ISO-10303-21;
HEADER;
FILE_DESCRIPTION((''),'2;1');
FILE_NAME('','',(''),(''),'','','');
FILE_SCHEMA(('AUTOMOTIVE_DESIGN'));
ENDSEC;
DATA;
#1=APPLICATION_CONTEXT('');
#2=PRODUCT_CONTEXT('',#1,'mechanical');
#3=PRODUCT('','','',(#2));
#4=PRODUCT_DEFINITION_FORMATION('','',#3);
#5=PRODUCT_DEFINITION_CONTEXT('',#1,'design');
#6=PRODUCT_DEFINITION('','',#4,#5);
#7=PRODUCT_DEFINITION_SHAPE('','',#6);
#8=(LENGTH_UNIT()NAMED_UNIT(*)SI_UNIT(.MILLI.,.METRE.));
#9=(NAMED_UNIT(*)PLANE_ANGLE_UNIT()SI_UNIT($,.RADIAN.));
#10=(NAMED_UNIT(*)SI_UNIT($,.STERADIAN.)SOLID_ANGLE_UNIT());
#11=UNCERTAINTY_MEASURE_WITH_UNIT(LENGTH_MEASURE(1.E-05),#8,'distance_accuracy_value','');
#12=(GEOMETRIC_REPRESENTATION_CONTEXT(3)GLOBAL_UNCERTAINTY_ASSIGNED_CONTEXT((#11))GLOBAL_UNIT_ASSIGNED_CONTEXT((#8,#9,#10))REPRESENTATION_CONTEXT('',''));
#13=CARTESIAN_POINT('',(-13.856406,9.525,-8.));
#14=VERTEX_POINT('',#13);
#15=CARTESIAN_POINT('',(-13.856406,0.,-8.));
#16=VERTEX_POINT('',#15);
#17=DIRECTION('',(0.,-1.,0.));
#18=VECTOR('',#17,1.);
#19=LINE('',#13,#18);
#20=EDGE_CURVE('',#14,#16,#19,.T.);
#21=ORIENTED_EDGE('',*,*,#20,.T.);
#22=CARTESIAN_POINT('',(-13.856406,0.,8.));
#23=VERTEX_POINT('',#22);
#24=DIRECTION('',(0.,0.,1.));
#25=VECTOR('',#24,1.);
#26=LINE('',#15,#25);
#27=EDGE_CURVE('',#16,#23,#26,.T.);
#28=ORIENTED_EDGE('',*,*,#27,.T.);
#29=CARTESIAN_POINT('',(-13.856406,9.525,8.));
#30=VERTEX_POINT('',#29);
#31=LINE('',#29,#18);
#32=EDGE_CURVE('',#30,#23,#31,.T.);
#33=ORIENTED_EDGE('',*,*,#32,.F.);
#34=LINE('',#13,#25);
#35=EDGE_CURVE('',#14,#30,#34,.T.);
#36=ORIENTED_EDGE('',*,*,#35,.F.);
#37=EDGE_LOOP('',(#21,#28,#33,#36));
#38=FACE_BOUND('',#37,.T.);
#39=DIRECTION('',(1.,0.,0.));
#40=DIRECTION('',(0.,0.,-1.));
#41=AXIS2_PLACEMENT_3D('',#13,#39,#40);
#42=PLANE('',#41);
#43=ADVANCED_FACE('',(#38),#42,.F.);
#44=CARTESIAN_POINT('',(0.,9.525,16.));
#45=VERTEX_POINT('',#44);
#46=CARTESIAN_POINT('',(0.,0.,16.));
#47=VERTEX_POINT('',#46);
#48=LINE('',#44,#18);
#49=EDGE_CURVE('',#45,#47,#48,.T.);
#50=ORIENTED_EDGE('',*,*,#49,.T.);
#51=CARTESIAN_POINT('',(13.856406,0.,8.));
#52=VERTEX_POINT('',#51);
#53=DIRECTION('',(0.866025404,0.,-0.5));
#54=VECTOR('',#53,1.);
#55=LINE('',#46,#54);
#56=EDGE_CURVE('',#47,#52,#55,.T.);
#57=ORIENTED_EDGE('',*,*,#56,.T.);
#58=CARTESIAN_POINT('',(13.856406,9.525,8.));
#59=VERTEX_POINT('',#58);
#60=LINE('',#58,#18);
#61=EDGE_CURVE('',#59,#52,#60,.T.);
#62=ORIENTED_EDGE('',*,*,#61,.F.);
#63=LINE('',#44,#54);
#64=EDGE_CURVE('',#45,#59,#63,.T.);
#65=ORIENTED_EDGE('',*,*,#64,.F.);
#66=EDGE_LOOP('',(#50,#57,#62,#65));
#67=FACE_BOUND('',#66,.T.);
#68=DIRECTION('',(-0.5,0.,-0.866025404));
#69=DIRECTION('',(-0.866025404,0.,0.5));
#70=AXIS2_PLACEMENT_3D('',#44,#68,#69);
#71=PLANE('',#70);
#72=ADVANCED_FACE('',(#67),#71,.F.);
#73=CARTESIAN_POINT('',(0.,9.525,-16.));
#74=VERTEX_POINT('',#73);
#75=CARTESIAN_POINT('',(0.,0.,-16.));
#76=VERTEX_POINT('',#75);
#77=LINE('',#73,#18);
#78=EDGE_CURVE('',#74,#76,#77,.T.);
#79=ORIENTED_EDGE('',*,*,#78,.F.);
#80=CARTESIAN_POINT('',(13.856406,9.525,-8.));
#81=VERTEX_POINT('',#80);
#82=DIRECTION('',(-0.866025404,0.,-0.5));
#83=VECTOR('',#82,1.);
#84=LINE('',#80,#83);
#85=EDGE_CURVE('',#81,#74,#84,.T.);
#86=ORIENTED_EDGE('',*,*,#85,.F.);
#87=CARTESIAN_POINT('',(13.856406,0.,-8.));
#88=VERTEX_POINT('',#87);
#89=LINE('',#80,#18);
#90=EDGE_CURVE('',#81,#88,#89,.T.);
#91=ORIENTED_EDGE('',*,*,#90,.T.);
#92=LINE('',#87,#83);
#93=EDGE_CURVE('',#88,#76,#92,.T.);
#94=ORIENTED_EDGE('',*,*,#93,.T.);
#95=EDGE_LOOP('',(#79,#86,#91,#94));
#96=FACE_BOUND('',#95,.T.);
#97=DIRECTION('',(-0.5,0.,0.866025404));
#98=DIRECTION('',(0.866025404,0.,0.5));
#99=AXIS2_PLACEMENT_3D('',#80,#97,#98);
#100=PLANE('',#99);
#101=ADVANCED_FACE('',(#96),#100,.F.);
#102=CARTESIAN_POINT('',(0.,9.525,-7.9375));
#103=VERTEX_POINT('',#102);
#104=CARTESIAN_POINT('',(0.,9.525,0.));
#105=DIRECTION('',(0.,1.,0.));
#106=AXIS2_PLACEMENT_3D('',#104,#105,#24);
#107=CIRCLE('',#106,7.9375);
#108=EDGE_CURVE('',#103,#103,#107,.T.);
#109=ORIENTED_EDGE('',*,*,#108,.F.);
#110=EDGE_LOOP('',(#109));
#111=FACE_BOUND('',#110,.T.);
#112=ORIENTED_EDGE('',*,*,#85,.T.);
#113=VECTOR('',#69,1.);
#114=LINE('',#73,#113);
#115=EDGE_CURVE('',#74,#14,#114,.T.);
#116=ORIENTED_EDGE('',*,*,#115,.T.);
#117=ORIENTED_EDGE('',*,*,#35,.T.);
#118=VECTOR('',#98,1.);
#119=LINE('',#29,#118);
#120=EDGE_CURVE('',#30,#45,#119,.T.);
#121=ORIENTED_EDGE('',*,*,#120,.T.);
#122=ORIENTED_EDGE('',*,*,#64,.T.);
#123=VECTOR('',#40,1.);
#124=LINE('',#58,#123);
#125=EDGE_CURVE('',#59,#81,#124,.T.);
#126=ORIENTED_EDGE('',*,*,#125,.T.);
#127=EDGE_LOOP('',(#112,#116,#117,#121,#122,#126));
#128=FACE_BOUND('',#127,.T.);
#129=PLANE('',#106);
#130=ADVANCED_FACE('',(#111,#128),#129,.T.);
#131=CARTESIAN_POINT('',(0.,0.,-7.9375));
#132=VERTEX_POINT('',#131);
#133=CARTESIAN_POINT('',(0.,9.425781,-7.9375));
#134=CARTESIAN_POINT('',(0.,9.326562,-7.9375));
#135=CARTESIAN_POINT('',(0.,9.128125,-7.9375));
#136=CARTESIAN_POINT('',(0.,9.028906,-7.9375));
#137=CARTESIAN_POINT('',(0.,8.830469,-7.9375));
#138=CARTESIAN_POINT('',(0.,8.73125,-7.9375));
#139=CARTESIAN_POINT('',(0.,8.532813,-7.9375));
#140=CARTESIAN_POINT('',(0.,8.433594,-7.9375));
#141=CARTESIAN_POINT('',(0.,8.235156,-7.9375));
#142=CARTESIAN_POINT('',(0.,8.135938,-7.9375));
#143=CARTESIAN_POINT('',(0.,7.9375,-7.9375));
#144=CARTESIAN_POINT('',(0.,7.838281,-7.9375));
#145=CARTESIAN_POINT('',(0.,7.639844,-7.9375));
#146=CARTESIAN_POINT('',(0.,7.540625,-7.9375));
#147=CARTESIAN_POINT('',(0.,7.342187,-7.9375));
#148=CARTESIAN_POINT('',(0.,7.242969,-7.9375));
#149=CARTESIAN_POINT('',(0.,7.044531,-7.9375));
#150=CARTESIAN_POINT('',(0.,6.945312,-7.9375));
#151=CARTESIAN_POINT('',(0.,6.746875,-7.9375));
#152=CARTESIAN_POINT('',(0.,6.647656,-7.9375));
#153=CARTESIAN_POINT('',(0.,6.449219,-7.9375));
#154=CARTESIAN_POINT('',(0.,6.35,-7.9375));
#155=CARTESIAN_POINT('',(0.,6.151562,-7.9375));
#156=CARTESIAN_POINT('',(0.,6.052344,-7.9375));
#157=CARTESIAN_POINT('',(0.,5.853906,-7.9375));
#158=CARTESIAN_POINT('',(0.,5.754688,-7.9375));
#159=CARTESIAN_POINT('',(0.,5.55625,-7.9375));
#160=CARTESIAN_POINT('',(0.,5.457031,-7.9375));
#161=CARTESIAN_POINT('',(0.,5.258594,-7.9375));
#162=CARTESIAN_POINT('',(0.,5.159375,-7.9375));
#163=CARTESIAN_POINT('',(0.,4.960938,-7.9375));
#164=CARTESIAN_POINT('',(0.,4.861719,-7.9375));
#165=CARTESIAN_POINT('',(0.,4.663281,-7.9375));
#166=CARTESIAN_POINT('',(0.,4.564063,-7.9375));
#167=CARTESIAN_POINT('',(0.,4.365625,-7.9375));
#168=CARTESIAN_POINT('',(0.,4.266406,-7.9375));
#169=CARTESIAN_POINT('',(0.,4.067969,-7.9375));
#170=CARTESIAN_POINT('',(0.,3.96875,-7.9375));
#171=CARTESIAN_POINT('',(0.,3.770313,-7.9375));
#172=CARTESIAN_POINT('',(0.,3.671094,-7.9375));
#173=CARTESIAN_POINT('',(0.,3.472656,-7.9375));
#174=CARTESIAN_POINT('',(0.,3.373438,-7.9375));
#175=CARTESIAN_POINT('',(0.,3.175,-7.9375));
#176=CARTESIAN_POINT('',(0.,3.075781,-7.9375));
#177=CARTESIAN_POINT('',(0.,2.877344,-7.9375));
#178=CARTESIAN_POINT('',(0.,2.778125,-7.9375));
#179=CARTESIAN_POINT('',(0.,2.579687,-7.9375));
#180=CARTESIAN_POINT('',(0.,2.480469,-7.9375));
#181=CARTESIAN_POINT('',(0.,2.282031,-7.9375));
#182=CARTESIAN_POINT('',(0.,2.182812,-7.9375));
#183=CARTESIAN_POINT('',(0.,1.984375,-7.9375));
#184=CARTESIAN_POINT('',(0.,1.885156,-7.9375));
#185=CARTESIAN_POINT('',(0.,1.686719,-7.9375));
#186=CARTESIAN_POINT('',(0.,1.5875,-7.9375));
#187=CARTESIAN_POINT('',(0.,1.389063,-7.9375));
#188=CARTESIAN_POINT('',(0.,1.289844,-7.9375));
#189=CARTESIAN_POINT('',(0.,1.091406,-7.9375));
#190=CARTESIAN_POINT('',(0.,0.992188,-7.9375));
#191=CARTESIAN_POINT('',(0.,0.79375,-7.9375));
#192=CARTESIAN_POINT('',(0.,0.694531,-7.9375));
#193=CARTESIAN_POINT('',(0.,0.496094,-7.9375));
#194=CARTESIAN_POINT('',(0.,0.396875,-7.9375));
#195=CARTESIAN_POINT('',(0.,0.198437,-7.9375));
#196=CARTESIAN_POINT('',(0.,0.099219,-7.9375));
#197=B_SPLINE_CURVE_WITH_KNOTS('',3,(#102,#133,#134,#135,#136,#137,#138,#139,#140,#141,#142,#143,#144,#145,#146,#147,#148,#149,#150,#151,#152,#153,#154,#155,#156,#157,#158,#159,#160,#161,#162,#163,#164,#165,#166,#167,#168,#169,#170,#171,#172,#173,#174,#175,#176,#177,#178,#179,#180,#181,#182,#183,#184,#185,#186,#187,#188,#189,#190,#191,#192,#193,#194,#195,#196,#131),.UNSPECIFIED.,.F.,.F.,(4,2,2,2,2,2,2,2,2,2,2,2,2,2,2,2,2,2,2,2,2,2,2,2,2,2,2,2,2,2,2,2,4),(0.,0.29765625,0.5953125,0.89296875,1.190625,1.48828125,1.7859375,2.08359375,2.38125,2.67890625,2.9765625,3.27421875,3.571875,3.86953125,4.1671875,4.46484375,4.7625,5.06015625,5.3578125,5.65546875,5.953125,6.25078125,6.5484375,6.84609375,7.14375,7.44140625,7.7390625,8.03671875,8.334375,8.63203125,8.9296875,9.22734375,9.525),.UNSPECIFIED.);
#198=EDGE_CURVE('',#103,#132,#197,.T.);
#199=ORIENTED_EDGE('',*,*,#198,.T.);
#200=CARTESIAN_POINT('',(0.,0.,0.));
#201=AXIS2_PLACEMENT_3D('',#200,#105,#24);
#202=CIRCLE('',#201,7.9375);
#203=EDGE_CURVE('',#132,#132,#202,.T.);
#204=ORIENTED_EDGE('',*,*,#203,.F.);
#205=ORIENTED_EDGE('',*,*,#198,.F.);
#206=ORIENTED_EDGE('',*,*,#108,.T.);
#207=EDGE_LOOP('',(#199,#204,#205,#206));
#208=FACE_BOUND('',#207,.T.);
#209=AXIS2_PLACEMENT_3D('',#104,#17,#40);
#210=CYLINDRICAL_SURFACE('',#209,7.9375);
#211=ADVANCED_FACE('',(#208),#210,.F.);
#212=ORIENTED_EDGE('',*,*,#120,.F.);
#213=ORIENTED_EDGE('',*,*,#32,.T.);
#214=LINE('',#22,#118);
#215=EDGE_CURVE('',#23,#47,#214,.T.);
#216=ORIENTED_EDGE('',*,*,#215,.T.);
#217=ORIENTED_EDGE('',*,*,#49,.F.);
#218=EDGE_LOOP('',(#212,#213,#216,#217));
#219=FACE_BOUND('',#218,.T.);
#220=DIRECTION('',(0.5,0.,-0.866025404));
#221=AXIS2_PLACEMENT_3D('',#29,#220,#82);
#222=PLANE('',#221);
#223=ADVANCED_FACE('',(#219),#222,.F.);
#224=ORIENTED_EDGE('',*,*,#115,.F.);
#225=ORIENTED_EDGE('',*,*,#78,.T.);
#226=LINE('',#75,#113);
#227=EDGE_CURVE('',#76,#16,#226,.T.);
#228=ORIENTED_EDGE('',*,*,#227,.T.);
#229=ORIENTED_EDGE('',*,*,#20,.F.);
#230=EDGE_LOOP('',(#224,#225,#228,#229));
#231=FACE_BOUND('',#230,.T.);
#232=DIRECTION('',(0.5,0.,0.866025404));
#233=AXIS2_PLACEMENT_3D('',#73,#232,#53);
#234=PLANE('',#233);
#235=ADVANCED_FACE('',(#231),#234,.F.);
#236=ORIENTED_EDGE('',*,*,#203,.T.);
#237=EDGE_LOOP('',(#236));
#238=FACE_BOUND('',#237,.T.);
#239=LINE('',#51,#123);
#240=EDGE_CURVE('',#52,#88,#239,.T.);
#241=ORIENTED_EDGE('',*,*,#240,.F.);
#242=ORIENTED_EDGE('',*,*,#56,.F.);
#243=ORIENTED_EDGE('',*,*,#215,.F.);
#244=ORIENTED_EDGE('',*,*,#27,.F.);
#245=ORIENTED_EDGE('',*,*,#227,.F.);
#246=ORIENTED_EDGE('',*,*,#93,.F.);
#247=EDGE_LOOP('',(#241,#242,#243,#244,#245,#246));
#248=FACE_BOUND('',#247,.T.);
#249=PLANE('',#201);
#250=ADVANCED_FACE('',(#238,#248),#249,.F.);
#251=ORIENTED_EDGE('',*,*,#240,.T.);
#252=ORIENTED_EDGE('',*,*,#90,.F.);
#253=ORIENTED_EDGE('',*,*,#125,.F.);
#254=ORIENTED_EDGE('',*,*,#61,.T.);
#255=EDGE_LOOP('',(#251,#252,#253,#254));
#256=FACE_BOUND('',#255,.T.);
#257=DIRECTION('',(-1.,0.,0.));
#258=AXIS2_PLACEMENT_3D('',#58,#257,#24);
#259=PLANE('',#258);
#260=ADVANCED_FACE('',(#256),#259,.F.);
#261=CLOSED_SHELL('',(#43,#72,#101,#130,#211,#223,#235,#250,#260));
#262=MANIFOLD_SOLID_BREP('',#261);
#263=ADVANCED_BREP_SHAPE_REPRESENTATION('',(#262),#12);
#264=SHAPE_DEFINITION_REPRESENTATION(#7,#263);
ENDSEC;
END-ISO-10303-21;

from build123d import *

# Parameters (mm, degrees)
SKETCH2_R           = 7.9375
BOSS_EXTRUDE1_DEPTH = 9.525


with BuildPart() as part:
    # Sketch2 → Boss-Extrude1 (new body)
    with BuildSketch(Plane(origin=(0, 0, 0), x_dir=(1, 0, 0), z_dir=(0, 1, 0))):
        Polygon((0, 16), (-13.856406461, 8), (-13.856406461, -8), (0, -16), (13.856406461, -8), (13.856406461, 8), align=None)
        with Locations(Location((0, 0, 0), (0, 0, 90))):
            Circle(SKETCH2_R, mode=Mode.SUBTRACT)
    extrude(amount=BOSS_EXTRUDE1_DEPTH)


solid = part.part
